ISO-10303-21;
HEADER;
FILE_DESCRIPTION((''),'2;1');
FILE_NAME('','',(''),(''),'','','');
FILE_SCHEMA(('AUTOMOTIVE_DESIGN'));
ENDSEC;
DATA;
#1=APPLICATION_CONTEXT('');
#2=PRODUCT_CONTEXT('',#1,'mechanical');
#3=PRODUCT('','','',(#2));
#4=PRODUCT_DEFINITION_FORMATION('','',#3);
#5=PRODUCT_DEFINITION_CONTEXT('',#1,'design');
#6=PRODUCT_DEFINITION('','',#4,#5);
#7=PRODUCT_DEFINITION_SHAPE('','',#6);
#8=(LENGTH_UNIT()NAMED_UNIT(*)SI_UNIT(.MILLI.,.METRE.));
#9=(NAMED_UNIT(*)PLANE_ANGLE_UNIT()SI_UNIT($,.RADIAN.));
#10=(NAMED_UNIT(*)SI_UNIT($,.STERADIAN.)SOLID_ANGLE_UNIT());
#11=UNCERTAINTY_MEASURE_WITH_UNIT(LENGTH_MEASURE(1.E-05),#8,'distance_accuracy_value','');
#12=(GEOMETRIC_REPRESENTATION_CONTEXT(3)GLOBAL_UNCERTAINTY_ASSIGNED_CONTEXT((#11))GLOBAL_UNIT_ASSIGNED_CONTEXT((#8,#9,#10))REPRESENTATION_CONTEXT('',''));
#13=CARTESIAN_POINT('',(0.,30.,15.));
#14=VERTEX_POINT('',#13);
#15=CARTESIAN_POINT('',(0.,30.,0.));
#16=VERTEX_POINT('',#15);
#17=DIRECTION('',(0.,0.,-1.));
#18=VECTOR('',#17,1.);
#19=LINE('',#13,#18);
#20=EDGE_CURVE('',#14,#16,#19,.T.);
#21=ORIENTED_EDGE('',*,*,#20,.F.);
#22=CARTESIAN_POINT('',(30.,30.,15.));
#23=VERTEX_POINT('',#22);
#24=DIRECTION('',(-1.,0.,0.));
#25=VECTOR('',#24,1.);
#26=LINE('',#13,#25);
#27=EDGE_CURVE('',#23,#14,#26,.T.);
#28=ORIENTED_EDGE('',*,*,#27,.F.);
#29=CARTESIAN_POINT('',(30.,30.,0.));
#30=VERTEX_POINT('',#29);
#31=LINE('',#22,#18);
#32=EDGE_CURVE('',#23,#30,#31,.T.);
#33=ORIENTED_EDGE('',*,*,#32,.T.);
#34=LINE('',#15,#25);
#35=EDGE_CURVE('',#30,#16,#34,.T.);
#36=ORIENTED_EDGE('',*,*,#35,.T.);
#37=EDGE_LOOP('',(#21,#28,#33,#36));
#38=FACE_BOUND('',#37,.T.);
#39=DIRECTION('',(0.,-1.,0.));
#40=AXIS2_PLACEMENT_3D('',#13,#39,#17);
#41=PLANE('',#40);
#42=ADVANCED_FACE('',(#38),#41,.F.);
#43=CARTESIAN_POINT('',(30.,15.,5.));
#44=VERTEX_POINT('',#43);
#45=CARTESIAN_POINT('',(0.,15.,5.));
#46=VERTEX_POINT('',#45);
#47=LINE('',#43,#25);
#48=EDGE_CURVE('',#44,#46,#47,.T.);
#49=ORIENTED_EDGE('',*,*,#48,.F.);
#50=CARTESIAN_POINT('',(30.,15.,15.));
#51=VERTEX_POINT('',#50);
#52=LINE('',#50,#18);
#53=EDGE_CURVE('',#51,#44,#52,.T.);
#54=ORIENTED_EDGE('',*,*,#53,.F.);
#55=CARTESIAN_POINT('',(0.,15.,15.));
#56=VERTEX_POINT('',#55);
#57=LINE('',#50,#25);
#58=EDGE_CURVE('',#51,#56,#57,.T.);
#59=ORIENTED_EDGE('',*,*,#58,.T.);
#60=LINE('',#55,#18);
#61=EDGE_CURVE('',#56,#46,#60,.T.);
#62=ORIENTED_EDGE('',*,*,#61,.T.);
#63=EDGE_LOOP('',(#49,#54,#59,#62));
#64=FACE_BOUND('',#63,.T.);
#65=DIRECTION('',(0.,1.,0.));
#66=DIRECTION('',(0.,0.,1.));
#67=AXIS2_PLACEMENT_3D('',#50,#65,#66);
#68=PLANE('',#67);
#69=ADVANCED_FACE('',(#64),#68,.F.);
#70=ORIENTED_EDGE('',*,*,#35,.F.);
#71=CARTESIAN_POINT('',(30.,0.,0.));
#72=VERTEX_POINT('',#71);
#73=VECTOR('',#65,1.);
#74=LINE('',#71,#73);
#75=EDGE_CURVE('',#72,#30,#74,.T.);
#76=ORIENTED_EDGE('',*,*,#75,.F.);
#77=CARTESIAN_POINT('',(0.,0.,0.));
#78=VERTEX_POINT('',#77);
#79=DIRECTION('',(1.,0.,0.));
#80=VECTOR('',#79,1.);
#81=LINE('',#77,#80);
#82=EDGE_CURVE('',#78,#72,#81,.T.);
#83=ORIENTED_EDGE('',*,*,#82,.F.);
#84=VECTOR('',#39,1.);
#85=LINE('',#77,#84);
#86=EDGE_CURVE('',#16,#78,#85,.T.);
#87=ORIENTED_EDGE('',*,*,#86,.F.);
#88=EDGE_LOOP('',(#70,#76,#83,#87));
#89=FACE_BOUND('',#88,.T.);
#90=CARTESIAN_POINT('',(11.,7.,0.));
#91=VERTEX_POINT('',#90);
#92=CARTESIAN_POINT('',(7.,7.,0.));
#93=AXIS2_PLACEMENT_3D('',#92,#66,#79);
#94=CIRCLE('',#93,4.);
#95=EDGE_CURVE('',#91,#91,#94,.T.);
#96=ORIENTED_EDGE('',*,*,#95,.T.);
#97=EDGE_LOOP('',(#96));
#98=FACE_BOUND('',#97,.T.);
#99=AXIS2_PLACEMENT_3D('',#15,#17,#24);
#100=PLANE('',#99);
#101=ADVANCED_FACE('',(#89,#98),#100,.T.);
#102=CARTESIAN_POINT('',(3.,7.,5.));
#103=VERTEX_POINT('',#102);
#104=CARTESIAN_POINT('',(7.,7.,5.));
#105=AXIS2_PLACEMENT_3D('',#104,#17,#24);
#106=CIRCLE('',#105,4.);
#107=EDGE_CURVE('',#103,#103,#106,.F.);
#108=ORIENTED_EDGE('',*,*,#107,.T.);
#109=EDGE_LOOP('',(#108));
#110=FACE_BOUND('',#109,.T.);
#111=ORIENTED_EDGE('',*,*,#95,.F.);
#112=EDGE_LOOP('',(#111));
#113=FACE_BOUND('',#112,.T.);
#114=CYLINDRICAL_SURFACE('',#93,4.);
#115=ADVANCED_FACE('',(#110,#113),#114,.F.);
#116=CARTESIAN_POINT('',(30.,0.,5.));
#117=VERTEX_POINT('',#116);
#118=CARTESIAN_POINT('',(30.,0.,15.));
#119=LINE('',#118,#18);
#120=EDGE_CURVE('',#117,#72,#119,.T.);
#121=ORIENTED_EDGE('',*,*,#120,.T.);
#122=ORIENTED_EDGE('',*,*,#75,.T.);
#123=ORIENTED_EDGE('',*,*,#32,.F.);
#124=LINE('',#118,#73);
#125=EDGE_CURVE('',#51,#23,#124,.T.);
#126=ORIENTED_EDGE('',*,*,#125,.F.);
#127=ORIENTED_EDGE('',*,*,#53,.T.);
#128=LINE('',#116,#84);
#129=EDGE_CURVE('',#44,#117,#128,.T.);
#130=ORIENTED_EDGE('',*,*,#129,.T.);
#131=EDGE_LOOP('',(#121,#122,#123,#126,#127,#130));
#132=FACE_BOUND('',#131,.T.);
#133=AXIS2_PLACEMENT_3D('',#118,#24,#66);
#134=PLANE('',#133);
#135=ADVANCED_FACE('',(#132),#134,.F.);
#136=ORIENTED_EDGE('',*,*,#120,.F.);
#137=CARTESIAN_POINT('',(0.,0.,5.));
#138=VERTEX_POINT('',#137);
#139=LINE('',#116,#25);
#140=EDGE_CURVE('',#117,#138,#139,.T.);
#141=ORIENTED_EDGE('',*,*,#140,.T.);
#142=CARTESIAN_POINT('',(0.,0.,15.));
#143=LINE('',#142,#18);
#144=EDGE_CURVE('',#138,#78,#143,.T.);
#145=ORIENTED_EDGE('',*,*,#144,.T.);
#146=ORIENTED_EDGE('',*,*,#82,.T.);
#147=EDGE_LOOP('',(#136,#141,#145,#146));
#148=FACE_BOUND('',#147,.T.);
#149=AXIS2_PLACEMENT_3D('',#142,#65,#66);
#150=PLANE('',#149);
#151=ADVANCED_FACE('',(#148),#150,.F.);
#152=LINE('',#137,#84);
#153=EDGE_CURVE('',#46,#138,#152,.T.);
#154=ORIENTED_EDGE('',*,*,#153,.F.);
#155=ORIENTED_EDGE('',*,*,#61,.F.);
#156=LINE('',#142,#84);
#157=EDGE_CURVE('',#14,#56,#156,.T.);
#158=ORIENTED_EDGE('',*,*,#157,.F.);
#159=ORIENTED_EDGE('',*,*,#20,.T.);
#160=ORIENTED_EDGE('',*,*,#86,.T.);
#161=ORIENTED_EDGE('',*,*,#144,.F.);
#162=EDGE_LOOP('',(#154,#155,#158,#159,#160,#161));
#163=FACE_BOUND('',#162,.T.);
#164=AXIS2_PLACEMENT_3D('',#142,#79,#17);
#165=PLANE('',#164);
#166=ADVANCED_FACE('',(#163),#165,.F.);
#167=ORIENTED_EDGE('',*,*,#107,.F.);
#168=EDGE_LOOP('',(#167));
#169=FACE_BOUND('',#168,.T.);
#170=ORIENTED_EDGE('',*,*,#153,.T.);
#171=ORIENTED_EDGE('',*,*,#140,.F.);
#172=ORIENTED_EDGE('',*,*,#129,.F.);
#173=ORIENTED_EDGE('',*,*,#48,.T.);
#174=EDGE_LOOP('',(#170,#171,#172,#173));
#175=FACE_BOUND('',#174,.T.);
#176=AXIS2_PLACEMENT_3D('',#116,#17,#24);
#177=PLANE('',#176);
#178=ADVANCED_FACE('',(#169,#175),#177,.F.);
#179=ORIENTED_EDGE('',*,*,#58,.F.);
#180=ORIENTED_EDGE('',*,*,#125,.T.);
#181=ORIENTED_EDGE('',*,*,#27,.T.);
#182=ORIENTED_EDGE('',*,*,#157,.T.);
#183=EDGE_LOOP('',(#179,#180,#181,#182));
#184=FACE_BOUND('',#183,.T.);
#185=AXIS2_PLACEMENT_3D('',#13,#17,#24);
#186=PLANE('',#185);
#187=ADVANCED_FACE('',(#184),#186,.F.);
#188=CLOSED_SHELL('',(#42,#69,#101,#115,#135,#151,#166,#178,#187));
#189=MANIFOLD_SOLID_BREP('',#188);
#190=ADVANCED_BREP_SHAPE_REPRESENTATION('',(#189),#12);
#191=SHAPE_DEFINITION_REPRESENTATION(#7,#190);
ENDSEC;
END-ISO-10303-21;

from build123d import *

# Parameters (mm, degrees)
SKETCH_1_W          = 30
SKETCH_1_H          = 30
EXTRUDE_1_DEPTH     = 15
SKETCH_2_R          = 4
CUT_EXTRUDE_1_DEPTH = 46
SKETCH_3_W          = 10
SKETCH_3_H          = 15
CUT_EXTRUDE_2_DEPTH = 46


with BuildPart() as part:
    # 草图1 → 凸台-拉伸1 (new body)
    with BuildSketch(Plane.XY):
        with Locations((15, 15)):
            Rectangle(SKETCH_1_W, SKETCH_1_H)
    extrude(amount=EXTRUDE_1_DEPTH)

    # 草图2 → 切除-拉伸1 (cut, through all)
    with BuildSketch(Plane.XY.offset(15)):
        with Locations((7, 7)):
            Circle(SKETCH_2_R)
    extrude(amount=-CUT_EXTRUDE_1_DEPTH, mode=Mode.SUBTRACT)

    # 草图3 → 切除-拉伸2 (cut, through all)
    with BuildSketch(Plane.ZY):
        with Locations((10, 7.5)):
            Rectangle(SKETCH_3_W, SKETCH_3_H)
    extrude(amount=-CUT_EXTRUDE_2_DEPTH, mode=Mode.SUBTRACT)


solid = part.part
